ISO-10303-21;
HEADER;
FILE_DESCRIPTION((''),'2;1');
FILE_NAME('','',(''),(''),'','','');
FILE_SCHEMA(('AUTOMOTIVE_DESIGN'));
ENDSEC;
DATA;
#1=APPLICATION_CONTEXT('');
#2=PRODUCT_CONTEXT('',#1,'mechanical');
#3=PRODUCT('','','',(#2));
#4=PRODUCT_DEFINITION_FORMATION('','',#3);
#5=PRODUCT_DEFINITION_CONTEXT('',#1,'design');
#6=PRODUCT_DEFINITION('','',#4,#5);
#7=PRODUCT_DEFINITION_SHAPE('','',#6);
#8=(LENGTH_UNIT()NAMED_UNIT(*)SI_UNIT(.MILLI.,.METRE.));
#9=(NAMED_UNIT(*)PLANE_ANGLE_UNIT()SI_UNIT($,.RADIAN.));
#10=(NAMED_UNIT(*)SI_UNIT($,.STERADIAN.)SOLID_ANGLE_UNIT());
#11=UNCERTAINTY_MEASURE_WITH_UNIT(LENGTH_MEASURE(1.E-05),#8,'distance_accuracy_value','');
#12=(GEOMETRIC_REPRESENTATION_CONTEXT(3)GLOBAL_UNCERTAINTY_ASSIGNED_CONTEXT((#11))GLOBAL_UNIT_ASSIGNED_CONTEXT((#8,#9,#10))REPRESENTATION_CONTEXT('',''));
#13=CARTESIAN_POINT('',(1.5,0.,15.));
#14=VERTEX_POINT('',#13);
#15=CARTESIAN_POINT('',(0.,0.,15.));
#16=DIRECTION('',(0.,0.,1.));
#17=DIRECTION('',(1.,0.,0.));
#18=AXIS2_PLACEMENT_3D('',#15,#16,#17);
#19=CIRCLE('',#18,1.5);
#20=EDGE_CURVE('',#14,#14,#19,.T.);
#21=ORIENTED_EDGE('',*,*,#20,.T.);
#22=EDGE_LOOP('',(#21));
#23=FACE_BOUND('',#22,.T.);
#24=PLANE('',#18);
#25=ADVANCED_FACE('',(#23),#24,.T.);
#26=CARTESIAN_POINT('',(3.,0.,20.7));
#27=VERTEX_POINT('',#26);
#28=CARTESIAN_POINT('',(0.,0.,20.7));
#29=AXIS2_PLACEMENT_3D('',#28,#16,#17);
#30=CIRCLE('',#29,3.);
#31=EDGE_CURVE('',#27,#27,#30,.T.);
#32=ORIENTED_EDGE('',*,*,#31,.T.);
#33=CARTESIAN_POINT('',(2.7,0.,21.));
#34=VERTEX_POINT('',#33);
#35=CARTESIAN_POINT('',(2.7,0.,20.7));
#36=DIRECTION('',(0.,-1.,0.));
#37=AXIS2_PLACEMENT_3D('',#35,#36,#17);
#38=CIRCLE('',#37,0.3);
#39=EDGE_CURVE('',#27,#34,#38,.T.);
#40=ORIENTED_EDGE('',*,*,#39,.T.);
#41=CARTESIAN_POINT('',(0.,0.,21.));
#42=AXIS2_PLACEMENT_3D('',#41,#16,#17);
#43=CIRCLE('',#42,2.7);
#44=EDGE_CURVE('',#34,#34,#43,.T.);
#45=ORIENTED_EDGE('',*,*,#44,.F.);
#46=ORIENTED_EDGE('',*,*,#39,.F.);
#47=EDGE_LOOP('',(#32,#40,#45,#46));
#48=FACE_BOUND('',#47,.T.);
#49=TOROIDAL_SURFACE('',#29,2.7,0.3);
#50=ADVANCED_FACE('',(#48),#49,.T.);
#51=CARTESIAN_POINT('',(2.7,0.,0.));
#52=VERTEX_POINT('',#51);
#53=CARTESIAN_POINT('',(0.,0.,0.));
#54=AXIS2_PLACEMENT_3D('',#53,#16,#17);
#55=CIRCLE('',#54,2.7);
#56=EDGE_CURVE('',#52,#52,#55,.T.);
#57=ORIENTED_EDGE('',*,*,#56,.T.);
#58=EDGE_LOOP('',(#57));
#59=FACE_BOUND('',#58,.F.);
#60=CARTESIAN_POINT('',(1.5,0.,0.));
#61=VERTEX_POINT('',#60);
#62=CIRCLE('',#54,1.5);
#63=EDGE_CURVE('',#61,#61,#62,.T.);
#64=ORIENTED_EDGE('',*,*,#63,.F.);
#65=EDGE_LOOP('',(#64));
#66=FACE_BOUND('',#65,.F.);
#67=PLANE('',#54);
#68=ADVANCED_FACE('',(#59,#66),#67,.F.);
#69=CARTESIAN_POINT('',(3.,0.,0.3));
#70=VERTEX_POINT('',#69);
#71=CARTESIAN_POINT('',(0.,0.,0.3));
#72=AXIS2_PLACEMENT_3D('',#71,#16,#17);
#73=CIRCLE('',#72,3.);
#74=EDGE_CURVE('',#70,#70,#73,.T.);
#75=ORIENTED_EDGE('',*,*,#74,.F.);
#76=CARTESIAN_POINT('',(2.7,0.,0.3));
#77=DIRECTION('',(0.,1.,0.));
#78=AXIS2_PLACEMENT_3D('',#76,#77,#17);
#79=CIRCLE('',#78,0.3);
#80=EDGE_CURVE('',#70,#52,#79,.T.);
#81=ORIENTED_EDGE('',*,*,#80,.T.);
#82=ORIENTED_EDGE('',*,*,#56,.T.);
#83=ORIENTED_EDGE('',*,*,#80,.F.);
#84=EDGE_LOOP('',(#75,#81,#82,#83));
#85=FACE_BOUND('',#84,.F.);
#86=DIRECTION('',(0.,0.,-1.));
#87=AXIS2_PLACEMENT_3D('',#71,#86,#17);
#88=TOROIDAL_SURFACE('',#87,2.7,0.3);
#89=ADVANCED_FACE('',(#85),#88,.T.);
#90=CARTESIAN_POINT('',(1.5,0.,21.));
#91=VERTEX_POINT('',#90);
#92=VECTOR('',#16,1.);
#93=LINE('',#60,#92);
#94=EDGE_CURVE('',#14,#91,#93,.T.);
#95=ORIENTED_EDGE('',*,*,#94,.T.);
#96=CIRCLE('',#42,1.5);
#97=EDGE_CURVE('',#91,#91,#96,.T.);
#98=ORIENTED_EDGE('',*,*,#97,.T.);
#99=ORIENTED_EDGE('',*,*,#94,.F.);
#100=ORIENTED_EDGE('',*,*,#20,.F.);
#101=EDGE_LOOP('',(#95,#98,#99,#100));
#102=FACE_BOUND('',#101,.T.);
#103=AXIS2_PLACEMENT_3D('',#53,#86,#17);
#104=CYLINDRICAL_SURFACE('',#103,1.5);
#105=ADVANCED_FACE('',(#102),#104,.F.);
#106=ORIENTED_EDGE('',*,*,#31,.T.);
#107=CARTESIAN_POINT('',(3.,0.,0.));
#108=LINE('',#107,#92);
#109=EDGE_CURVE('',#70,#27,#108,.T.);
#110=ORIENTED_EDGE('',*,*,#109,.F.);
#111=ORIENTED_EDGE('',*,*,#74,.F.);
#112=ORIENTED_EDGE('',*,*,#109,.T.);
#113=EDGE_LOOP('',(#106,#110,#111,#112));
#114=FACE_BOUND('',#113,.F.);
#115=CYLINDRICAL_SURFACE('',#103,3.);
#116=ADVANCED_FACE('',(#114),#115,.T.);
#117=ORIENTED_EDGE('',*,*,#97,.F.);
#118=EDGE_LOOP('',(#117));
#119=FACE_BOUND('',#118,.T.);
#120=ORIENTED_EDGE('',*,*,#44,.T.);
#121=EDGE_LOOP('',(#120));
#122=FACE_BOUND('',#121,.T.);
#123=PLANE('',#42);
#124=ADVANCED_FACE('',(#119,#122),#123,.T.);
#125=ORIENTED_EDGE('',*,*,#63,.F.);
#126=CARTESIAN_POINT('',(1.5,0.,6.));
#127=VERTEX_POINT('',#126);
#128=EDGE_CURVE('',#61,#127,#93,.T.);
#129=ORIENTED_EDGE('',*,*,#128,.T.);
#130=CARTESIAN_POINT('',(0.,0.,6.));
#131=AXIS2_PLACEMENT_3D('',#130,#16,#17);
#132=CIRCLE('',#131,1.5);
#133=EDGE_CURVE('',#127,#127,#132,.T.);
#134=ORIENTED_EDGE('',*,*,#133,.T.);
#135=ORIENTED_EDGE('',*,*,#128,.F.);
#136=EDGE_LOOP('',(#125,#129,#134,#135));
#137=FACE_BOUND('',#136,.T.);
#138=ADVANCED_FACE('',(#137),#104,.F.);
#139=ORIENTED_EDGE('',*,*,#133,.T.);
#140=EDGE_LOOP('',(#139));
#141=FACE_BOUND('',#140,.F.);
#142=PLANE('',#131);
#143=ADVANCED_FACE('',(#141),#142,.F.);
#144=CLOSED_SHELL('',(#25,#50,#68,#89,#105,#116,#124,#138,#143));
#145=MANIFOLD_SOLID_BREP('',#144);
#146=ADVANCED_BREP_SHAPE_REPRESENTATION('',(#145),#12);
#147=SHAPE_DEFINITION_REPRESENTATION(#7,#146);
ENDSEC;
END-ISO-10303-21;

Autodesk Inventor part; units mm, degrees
ref_plane "YZ Plane" through (0, 0, 0) normal (1, 0, 0) x (0, 1, 0)
ref_plane "XZ Plane" through (0, 0, 0) normal (0, 1, 0) x (-1, 0, 0)
ref_plane "XY Plane" through (0, 0, 0) normal (0, 0, 1) x (1, 0, 0)
sketch "スケッチ1" plane through (0, 0, 0) normal (0, 0, 1) x (1, 0, 0)
  circle A0 centre (0, 0) radius 3
  circle A1 centre (0, 0) radius 1.5
  dimension "d0" = 6
  dimension "d1" = 3
extrude "押し出し1" add sketch "スケッチ1" along normal blind 21
fillet "フィレット1" radius 0.3 2 edges at (-3, 0, 21) (-3, 0, 0)
thread "ねじ1" size "M3x0.5" class "6H" standard "ANSI Metric M Profile" length 100
extrude "押し出し2" add sketch "スケッチ1" along normal blind 15 contours A1
extrude "押し出し3" cut sketch "スケッチ1" along normal blind 6 contours A1
thread "ねじ2" size "M3x0.5" class "6H" standard "ANSI Metric M Profile" full length
properties part number "スペーサーM3L21黄銅" material "アルミニウム 2014-T4"
